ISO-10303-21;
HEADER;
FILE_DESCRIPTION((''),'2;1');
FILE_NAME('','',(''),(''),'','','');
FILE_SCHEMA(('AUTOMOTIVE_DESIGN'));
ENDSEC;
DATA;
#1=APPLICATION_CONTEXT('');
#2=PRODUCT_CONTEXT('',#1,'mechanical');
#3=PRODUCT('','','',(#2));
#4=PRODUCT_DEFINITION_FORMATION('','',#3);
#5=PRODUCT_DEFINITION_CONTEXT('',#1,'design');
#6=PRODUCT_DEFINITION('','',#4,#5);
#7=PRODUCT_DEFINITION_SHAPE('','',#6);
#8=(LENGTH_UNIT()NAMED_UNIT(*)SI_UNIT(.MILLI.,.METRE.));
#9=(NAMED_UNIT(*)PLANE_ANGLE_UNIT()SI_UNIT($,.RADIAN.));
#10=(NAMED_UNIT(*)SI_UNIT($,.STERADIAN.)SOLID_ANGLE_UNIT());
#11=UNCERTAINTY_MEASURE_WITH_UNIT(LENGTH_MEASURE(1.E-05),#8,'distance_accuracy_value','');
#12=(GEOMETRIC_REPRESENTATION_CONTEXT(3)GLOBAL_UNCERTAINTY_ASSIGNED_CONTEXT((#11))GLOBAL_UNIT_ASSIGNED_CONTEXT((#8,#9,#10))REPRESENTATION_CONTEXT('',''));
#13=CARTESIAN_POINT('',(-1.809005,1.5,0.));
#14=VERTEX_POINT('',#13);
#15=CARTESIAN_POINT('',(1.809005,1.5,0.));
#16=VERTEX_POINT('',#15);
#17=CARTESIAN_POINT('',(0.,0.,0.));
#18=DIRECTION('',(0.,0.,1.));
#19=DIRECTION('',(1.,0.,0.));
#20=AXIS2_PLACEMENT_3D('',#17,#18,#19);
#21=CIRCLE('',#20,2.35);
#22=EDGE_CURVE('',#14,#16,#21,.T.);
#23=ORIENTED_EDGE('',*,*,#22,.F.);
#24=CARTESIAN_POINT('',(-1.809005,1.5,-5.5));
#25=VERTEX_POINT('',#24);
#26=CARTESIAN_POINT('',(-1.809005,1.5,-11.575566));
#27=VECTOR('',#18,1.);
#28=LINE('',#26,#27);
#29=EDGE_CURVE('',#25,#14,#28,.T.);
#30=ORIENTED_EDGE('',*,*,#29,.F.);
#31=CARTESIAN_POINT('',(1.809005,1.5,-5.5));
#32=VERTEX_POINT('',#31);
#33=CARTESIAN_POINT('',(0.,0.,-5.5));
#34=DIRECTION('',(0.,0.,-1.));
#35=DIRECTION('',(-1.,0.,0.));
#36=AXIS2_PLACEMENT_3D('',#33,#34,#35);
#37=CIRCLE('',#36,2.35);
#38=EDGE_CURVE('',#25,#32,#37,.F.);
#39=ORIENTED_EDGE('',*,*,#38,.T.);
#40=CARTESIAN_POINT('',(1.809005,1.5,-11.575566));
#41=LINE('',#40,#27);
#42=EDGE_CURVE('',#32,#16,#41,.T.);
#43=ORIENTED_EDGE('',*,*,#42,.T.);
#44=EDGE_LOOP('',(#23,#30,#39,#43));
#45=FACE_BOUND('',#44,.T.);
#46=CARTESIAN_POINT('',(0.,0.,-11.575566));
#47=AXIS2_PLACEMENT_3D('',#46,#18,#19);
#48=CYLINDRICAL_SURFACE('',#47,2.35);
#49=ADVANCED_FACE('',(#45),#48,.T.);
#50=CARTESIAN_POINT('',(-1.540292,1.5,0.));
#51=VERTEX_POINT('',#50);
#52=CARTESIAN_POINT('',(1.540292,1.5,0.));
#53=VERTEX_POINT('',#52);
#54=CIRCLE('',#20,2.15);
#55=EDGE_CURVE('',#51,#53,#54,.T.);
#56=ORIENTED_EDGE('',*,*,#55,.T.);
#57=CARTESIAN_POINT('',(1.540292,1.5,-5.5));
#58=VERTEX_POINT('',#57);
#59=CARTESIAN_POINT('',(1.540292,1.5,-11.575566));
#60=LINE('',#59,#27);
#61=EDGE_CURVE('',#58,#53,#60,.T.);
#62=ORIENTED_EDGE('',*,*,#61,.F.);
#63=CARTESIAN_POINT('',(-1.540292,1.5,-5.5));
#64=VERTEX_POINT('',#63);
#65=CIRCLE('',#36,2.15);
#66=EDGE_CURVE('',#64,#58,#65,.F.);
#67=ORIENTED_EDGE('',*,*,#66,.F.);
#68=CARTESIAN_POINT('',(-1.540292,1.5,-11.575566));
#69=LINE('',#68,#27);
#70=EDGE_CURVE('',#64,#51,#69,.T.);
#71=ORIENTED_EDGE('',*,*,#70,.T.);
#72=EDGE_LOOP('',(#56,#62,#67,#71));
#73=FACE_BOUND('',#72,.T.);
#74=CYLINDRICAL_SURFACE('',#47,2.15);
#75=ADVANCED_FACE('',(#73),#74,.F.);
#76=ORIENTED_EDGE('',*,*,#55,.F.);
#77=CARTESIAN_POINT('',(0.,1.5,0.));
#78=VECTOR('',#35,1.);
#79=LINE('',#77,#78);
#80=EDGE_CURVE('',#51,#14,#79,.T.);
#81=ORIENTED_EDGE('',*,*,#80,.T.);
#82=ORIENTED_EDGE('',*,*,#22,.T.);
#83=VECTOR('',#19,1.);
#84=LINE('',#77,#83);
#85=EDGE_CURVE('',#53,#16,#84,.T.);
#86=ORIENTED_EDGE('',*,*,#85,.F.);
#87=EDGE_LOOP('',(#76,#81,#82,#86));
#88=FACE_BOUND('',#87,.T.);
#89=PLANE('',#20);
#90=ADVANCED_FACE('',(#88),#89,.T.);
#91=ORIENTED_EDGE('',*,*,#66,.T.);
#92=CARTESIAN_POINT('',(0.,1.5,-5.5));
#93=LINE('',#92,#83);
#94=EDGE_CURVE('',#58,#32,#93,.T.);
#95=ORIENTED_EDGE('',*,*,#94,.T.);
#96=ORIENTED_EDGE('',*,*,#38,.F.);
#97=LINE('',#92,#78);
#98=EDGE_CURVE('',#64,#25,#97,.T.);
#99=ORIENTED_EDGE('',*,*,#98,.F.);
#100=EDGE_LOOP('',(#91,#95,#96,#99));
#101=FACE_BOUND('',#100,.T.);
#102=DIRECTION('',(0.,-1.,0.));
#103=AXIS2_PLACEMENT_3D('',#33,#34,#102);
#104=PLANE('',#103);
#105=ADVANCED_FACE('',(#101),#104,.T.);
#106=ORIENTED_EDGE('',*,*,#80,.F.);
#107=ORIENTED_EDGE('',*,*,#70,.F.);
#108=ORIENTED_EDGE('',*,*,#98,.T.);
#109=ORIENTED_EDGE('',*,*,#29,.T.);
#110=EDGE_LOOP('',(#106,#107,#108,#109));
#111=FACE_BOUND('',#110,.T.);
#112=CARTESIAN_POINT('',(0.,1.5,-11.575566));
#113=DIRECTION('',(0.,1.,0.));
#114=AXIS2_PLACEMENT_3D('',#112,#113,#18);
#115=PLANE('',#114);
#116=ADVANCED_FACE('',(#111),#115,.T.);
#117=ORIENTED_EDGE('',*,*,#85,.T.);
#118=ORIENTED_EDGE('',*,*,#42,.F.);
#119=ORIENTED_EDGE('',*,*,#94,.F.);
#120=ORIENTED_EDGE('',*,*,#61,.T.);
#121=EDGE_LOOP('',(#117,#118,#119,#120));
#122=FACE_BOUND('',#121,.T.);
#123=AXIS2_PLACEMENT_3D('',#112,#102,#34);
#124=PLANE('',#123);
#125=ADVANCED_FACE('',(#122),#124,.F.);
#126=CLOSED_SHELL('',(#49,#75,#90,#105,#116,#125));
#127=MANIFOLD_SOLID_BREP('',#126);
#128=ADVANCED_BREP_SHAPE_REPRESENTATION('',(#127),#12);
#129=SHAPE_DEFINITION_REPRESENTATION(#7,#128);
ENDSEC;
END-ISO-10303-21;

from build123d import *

# Parameters (mm, degrees)
BOSS_EXTRUDE1_DEPTH = 5.5


with BuildPart() as part:
    # Sketch2 → Boss-Extrude1 (new body)
    with BuildSketch(Plane.XY):
        with BuildLine():
            Line((-1.54029218, 1.5), (-1.809005252, 1.5))
            ThreePointArc((-1.809005252, 1.5), (0, -2.35), (1.809005252, 1.5))
            Line((1.809005252, 1.5), (1.54029218, 1.5))
            ThreePointArc((1.54029218, 1.5), (0, -2.15), (-1.54029218, 1.5))
        make_face()
    extrude(amount=-BOSS_EXTRUDE1_DEPTH)


solid = part.part
